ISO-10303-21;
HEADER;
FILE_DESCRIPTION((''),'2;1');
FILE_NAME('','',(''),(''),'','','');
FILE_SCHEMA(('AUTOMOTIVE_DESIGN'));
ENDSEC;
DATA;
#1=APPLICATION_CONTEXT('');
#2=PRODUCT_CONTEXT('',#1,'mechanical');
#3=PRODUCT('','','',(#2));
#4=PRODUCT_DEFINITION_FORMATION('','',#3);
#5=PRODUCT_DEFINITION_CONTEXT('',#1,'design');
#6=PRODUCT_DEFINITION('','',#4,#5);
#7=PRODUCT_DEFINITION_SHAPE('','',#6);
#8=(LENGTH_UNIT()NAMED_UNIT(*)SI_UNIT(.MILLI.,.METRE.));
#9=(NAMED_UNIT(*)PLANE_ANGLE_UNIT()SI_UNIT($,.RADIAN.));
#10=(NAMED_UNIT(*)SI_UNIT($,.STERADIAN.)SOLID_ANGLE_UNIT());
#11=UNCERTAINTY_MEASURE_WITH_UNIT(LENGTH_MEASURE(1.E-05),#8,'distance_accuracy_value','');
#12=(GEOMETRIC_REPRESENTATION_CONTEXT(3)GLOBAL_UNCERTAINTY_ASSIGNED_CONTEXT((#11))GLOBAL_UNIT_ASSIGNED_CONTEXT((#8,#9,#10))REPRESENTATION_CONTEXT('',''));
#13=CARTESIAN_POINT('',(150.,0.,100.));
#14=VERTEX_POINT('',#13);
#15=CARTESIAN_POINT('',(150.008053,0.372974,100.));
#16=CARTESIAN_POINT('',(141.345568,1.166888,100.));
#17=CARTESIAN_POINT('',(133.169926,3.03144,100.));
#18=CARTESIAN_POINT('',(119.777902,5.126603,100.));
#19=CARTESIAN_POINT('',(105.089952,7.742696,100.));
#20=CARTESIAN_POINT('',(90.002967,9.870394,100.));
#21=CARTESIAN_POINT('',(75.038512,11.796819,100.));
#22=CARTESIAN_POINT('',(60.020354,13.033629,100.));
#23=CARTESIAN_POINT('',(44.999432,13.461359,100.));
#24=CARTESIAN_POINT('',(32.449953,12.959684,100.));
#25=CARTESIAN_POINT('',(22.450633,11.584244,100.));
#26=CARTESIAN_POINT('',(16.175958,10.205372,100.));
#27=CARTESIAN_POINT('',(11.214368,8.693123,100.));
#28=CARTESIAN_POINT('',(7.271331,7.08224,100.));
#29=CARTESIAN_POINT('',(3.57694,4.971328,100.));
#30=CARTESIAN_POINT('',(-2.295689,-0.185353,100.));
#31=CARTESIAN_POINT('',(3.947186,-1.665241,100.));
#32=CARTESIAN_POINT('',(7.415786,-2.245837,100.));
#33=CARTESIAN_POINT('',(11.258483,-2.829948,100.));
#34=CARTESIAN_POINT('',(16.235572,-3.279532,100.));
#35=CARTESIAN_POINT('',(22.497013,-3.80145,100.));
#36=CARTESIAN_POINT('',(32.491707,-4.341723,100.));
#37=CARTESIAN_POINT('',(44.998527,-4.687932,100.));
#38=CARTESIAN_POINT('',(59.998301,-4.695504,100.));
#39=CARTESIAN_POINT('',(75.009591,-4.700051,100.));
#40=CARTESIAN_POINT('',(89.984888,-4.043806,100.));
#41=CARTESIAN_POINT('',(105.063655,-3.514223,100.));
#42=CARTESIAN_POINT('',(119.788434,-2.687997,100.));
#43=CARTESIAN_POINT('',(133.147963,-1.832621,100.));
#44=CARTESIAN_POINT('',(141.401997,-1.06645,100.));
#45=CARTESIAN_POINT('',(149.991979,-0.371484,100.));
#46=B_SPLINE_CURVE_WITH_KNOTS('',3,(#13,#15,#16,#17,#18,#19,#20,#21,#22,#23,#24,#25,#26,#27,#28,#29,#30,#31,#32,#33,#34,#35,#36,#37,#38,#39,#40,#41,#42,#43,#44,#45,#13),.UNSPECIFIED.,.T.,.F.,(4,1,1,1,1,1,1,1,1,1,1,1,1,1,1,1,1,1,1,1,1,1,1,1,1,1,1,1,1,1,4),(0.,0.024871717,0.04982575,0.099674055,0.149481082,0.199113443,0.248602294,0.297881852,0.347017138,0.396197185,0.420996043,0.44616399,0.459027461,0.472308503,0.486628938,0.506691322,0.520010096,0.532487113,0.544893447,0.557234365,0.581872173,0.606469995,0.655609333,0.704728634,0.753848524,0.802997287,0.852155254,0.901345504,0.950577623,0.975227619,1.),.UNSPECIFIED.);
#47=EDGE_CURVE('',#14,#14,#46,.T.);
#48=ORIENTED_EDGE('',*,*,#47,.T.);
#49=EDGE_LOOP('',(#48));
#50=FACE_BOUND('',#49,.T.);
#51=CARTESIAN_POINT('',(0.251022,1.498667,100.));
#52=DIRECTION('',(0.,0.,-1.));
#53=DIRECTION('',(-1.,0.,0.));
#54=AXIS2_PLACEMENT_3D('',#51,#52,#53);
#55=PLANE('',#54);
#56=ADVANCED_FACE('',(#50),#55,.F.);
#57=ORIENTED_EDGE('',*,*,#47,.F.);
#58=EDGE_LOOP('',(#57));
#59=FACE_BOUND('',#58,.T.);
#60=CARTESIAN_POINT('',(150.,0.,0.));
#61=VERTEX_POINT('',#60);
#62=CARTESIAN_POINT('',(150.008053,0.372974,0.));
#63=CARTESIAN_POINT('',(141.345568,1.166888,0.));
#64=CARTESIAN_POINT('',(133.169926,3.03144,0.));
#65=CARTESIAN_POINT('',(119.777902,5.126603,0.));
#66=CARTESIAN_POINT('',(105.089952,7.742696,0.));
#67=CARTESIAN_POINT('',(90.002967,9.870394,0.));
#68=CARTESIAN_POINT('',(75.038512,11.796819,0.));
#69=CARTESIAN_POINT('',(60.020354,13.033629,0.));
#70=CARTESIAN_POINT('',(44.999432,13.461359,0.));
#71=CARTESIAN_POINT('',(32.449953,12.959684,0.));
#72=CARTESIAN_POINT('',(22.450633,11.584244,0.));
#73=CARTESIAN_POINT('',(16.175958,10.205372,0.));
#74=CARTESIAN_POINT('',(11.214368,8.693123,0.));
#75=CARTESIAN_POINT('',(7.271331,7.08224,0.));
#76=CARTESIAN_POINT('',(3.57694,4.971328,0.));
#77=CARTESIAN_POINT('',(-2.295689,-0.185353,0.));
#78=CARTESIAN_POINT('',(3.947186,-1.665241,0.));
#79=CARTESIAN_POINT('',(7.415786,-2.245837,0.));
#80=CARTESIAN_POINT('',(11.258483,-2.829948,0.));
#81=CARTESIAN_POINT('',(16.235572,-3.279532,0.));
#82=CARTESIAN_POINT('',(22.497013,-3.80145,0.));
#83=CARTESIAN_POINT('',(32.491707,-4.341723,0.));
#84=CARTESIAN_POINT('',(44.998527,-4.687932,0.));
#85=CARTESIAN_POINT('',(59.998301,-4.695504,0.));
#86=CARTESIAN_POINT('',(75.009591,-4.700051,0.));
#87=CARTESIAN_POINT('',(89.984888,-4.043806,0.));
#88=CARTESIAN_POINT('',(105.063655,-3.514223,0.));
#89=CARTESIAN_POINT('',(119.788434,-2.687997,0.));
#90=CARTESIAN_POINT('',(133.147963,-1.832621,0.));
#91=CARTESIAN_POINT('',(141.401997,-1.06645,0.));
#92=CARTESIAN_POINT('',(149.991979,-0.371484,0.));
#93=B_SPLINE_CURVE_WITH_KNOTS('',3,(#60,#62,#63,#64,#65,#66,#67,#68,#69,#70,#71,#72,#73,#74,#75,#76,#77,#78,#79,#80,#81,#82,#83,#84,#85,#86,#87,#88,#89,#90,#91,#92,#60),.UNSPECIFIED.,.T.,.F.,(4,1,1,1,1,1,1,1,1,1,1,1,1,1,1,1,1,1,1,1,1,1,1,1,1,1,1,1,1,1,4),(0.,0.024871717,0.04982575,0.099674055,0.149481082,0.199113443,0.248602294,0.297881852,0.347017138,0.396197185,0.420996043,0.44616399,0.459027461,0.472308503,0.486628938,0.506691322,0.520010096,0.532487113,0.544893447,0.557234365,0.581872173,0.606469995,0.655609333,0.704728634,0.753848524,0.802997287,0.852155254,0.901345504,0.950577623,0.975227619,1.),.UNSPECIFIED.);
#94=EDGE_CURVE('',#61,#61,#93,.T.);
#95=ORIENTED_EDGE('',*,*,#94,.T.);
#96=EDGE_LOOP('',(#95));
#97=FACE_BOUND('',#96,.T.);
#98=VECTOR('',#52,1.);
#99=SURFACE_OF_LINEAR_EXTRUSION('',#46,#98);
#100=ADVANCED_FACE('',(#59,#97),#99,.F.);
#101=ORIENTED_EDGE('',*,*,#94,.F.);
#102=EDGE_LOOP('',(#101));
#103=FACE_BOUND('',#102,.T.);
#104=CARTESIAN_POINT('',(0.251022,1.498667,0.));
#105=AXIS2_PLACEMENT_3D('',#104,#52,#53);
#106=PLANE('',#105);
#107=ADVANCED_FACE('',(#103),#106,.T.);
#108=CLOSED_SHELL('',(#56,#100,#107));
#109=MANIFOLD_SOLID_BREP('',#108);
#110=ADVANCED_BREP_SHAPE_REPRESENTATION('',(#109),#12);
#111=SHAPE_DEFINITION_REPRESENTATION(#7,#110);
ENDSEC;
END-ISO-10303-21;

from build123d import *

# Parameters (mm, degrees)
EXTRUDE_1_DEPTH = 100


with BuildPart() as part:
    # Эскиз1 → Бобышка-Вытянуть1 (new body)
    with BuildSketch(Plane.XY):
        with BuildLine():
            add(Edge.make_bspline(
                [(150, 0), (150.008053425, 0.37297404), (141.345567832, 1.166887718), (133.169926283, 3.031440417), (119.777902198, 5.126602536), (105.089952049, 7.74269609), (90.002967054, 9.870394209), (75.038511916, 11.79681884), (60.020353695, 13.033629458), (44.99943153, 13.461358753), (32.449953449, 12.959683613), (22.450633398, 11.584243585), (16.175958263, 10.205371891), (11.214367567, 8.693122576), (7.271330698, 7.082239733), (3.57694045, 4.971328303), (-2.295689364, -0.185353368), (3.94718611, -1.665241232), (7.415786492, -2.245837267), (11.258482782, -2.829948252), (16.235572441, -3.279531548), (22.497013392, -3.80145), (32.491707012, -4.341722715), (44.998527157, -4.687932479), (59.998300892, -4.695504237), (75.009590768, -4.700050605), (89.984888026, -4.043805744), (105.063655313, -3.514222944), (119.788434236, -2.687996782), (133.147962552, -1.832620712), (141.401997202, -1.066450228), (149.99197874, -0.371484406), (150, 0)],
                knots=[0, 0, 0, 0, 0.024871717, 0.04982575, 0.099674055, 0.149481082, 0.199113443, 0.248602294, 0.297881852, 0.347017138, 0.396197185, 0.420996043, 0.44616399, 0.459027461, 0.472308503, 0.486628938, 0.506691322, 0.520010096, 0.532487113, 0.544893447, 0.557234365, 0.581872173, 0.606469995, 0.655609333, 0.704728634, 0.753848524, 0.802997287, 0.852155254, 0.901345504, 0.950577623, 0.975227619, 1, 1, 1, 1], degree=3))
        make_face()
    extrude(amount=EXTRUDE_1_DEPTH)


solid = part.part
